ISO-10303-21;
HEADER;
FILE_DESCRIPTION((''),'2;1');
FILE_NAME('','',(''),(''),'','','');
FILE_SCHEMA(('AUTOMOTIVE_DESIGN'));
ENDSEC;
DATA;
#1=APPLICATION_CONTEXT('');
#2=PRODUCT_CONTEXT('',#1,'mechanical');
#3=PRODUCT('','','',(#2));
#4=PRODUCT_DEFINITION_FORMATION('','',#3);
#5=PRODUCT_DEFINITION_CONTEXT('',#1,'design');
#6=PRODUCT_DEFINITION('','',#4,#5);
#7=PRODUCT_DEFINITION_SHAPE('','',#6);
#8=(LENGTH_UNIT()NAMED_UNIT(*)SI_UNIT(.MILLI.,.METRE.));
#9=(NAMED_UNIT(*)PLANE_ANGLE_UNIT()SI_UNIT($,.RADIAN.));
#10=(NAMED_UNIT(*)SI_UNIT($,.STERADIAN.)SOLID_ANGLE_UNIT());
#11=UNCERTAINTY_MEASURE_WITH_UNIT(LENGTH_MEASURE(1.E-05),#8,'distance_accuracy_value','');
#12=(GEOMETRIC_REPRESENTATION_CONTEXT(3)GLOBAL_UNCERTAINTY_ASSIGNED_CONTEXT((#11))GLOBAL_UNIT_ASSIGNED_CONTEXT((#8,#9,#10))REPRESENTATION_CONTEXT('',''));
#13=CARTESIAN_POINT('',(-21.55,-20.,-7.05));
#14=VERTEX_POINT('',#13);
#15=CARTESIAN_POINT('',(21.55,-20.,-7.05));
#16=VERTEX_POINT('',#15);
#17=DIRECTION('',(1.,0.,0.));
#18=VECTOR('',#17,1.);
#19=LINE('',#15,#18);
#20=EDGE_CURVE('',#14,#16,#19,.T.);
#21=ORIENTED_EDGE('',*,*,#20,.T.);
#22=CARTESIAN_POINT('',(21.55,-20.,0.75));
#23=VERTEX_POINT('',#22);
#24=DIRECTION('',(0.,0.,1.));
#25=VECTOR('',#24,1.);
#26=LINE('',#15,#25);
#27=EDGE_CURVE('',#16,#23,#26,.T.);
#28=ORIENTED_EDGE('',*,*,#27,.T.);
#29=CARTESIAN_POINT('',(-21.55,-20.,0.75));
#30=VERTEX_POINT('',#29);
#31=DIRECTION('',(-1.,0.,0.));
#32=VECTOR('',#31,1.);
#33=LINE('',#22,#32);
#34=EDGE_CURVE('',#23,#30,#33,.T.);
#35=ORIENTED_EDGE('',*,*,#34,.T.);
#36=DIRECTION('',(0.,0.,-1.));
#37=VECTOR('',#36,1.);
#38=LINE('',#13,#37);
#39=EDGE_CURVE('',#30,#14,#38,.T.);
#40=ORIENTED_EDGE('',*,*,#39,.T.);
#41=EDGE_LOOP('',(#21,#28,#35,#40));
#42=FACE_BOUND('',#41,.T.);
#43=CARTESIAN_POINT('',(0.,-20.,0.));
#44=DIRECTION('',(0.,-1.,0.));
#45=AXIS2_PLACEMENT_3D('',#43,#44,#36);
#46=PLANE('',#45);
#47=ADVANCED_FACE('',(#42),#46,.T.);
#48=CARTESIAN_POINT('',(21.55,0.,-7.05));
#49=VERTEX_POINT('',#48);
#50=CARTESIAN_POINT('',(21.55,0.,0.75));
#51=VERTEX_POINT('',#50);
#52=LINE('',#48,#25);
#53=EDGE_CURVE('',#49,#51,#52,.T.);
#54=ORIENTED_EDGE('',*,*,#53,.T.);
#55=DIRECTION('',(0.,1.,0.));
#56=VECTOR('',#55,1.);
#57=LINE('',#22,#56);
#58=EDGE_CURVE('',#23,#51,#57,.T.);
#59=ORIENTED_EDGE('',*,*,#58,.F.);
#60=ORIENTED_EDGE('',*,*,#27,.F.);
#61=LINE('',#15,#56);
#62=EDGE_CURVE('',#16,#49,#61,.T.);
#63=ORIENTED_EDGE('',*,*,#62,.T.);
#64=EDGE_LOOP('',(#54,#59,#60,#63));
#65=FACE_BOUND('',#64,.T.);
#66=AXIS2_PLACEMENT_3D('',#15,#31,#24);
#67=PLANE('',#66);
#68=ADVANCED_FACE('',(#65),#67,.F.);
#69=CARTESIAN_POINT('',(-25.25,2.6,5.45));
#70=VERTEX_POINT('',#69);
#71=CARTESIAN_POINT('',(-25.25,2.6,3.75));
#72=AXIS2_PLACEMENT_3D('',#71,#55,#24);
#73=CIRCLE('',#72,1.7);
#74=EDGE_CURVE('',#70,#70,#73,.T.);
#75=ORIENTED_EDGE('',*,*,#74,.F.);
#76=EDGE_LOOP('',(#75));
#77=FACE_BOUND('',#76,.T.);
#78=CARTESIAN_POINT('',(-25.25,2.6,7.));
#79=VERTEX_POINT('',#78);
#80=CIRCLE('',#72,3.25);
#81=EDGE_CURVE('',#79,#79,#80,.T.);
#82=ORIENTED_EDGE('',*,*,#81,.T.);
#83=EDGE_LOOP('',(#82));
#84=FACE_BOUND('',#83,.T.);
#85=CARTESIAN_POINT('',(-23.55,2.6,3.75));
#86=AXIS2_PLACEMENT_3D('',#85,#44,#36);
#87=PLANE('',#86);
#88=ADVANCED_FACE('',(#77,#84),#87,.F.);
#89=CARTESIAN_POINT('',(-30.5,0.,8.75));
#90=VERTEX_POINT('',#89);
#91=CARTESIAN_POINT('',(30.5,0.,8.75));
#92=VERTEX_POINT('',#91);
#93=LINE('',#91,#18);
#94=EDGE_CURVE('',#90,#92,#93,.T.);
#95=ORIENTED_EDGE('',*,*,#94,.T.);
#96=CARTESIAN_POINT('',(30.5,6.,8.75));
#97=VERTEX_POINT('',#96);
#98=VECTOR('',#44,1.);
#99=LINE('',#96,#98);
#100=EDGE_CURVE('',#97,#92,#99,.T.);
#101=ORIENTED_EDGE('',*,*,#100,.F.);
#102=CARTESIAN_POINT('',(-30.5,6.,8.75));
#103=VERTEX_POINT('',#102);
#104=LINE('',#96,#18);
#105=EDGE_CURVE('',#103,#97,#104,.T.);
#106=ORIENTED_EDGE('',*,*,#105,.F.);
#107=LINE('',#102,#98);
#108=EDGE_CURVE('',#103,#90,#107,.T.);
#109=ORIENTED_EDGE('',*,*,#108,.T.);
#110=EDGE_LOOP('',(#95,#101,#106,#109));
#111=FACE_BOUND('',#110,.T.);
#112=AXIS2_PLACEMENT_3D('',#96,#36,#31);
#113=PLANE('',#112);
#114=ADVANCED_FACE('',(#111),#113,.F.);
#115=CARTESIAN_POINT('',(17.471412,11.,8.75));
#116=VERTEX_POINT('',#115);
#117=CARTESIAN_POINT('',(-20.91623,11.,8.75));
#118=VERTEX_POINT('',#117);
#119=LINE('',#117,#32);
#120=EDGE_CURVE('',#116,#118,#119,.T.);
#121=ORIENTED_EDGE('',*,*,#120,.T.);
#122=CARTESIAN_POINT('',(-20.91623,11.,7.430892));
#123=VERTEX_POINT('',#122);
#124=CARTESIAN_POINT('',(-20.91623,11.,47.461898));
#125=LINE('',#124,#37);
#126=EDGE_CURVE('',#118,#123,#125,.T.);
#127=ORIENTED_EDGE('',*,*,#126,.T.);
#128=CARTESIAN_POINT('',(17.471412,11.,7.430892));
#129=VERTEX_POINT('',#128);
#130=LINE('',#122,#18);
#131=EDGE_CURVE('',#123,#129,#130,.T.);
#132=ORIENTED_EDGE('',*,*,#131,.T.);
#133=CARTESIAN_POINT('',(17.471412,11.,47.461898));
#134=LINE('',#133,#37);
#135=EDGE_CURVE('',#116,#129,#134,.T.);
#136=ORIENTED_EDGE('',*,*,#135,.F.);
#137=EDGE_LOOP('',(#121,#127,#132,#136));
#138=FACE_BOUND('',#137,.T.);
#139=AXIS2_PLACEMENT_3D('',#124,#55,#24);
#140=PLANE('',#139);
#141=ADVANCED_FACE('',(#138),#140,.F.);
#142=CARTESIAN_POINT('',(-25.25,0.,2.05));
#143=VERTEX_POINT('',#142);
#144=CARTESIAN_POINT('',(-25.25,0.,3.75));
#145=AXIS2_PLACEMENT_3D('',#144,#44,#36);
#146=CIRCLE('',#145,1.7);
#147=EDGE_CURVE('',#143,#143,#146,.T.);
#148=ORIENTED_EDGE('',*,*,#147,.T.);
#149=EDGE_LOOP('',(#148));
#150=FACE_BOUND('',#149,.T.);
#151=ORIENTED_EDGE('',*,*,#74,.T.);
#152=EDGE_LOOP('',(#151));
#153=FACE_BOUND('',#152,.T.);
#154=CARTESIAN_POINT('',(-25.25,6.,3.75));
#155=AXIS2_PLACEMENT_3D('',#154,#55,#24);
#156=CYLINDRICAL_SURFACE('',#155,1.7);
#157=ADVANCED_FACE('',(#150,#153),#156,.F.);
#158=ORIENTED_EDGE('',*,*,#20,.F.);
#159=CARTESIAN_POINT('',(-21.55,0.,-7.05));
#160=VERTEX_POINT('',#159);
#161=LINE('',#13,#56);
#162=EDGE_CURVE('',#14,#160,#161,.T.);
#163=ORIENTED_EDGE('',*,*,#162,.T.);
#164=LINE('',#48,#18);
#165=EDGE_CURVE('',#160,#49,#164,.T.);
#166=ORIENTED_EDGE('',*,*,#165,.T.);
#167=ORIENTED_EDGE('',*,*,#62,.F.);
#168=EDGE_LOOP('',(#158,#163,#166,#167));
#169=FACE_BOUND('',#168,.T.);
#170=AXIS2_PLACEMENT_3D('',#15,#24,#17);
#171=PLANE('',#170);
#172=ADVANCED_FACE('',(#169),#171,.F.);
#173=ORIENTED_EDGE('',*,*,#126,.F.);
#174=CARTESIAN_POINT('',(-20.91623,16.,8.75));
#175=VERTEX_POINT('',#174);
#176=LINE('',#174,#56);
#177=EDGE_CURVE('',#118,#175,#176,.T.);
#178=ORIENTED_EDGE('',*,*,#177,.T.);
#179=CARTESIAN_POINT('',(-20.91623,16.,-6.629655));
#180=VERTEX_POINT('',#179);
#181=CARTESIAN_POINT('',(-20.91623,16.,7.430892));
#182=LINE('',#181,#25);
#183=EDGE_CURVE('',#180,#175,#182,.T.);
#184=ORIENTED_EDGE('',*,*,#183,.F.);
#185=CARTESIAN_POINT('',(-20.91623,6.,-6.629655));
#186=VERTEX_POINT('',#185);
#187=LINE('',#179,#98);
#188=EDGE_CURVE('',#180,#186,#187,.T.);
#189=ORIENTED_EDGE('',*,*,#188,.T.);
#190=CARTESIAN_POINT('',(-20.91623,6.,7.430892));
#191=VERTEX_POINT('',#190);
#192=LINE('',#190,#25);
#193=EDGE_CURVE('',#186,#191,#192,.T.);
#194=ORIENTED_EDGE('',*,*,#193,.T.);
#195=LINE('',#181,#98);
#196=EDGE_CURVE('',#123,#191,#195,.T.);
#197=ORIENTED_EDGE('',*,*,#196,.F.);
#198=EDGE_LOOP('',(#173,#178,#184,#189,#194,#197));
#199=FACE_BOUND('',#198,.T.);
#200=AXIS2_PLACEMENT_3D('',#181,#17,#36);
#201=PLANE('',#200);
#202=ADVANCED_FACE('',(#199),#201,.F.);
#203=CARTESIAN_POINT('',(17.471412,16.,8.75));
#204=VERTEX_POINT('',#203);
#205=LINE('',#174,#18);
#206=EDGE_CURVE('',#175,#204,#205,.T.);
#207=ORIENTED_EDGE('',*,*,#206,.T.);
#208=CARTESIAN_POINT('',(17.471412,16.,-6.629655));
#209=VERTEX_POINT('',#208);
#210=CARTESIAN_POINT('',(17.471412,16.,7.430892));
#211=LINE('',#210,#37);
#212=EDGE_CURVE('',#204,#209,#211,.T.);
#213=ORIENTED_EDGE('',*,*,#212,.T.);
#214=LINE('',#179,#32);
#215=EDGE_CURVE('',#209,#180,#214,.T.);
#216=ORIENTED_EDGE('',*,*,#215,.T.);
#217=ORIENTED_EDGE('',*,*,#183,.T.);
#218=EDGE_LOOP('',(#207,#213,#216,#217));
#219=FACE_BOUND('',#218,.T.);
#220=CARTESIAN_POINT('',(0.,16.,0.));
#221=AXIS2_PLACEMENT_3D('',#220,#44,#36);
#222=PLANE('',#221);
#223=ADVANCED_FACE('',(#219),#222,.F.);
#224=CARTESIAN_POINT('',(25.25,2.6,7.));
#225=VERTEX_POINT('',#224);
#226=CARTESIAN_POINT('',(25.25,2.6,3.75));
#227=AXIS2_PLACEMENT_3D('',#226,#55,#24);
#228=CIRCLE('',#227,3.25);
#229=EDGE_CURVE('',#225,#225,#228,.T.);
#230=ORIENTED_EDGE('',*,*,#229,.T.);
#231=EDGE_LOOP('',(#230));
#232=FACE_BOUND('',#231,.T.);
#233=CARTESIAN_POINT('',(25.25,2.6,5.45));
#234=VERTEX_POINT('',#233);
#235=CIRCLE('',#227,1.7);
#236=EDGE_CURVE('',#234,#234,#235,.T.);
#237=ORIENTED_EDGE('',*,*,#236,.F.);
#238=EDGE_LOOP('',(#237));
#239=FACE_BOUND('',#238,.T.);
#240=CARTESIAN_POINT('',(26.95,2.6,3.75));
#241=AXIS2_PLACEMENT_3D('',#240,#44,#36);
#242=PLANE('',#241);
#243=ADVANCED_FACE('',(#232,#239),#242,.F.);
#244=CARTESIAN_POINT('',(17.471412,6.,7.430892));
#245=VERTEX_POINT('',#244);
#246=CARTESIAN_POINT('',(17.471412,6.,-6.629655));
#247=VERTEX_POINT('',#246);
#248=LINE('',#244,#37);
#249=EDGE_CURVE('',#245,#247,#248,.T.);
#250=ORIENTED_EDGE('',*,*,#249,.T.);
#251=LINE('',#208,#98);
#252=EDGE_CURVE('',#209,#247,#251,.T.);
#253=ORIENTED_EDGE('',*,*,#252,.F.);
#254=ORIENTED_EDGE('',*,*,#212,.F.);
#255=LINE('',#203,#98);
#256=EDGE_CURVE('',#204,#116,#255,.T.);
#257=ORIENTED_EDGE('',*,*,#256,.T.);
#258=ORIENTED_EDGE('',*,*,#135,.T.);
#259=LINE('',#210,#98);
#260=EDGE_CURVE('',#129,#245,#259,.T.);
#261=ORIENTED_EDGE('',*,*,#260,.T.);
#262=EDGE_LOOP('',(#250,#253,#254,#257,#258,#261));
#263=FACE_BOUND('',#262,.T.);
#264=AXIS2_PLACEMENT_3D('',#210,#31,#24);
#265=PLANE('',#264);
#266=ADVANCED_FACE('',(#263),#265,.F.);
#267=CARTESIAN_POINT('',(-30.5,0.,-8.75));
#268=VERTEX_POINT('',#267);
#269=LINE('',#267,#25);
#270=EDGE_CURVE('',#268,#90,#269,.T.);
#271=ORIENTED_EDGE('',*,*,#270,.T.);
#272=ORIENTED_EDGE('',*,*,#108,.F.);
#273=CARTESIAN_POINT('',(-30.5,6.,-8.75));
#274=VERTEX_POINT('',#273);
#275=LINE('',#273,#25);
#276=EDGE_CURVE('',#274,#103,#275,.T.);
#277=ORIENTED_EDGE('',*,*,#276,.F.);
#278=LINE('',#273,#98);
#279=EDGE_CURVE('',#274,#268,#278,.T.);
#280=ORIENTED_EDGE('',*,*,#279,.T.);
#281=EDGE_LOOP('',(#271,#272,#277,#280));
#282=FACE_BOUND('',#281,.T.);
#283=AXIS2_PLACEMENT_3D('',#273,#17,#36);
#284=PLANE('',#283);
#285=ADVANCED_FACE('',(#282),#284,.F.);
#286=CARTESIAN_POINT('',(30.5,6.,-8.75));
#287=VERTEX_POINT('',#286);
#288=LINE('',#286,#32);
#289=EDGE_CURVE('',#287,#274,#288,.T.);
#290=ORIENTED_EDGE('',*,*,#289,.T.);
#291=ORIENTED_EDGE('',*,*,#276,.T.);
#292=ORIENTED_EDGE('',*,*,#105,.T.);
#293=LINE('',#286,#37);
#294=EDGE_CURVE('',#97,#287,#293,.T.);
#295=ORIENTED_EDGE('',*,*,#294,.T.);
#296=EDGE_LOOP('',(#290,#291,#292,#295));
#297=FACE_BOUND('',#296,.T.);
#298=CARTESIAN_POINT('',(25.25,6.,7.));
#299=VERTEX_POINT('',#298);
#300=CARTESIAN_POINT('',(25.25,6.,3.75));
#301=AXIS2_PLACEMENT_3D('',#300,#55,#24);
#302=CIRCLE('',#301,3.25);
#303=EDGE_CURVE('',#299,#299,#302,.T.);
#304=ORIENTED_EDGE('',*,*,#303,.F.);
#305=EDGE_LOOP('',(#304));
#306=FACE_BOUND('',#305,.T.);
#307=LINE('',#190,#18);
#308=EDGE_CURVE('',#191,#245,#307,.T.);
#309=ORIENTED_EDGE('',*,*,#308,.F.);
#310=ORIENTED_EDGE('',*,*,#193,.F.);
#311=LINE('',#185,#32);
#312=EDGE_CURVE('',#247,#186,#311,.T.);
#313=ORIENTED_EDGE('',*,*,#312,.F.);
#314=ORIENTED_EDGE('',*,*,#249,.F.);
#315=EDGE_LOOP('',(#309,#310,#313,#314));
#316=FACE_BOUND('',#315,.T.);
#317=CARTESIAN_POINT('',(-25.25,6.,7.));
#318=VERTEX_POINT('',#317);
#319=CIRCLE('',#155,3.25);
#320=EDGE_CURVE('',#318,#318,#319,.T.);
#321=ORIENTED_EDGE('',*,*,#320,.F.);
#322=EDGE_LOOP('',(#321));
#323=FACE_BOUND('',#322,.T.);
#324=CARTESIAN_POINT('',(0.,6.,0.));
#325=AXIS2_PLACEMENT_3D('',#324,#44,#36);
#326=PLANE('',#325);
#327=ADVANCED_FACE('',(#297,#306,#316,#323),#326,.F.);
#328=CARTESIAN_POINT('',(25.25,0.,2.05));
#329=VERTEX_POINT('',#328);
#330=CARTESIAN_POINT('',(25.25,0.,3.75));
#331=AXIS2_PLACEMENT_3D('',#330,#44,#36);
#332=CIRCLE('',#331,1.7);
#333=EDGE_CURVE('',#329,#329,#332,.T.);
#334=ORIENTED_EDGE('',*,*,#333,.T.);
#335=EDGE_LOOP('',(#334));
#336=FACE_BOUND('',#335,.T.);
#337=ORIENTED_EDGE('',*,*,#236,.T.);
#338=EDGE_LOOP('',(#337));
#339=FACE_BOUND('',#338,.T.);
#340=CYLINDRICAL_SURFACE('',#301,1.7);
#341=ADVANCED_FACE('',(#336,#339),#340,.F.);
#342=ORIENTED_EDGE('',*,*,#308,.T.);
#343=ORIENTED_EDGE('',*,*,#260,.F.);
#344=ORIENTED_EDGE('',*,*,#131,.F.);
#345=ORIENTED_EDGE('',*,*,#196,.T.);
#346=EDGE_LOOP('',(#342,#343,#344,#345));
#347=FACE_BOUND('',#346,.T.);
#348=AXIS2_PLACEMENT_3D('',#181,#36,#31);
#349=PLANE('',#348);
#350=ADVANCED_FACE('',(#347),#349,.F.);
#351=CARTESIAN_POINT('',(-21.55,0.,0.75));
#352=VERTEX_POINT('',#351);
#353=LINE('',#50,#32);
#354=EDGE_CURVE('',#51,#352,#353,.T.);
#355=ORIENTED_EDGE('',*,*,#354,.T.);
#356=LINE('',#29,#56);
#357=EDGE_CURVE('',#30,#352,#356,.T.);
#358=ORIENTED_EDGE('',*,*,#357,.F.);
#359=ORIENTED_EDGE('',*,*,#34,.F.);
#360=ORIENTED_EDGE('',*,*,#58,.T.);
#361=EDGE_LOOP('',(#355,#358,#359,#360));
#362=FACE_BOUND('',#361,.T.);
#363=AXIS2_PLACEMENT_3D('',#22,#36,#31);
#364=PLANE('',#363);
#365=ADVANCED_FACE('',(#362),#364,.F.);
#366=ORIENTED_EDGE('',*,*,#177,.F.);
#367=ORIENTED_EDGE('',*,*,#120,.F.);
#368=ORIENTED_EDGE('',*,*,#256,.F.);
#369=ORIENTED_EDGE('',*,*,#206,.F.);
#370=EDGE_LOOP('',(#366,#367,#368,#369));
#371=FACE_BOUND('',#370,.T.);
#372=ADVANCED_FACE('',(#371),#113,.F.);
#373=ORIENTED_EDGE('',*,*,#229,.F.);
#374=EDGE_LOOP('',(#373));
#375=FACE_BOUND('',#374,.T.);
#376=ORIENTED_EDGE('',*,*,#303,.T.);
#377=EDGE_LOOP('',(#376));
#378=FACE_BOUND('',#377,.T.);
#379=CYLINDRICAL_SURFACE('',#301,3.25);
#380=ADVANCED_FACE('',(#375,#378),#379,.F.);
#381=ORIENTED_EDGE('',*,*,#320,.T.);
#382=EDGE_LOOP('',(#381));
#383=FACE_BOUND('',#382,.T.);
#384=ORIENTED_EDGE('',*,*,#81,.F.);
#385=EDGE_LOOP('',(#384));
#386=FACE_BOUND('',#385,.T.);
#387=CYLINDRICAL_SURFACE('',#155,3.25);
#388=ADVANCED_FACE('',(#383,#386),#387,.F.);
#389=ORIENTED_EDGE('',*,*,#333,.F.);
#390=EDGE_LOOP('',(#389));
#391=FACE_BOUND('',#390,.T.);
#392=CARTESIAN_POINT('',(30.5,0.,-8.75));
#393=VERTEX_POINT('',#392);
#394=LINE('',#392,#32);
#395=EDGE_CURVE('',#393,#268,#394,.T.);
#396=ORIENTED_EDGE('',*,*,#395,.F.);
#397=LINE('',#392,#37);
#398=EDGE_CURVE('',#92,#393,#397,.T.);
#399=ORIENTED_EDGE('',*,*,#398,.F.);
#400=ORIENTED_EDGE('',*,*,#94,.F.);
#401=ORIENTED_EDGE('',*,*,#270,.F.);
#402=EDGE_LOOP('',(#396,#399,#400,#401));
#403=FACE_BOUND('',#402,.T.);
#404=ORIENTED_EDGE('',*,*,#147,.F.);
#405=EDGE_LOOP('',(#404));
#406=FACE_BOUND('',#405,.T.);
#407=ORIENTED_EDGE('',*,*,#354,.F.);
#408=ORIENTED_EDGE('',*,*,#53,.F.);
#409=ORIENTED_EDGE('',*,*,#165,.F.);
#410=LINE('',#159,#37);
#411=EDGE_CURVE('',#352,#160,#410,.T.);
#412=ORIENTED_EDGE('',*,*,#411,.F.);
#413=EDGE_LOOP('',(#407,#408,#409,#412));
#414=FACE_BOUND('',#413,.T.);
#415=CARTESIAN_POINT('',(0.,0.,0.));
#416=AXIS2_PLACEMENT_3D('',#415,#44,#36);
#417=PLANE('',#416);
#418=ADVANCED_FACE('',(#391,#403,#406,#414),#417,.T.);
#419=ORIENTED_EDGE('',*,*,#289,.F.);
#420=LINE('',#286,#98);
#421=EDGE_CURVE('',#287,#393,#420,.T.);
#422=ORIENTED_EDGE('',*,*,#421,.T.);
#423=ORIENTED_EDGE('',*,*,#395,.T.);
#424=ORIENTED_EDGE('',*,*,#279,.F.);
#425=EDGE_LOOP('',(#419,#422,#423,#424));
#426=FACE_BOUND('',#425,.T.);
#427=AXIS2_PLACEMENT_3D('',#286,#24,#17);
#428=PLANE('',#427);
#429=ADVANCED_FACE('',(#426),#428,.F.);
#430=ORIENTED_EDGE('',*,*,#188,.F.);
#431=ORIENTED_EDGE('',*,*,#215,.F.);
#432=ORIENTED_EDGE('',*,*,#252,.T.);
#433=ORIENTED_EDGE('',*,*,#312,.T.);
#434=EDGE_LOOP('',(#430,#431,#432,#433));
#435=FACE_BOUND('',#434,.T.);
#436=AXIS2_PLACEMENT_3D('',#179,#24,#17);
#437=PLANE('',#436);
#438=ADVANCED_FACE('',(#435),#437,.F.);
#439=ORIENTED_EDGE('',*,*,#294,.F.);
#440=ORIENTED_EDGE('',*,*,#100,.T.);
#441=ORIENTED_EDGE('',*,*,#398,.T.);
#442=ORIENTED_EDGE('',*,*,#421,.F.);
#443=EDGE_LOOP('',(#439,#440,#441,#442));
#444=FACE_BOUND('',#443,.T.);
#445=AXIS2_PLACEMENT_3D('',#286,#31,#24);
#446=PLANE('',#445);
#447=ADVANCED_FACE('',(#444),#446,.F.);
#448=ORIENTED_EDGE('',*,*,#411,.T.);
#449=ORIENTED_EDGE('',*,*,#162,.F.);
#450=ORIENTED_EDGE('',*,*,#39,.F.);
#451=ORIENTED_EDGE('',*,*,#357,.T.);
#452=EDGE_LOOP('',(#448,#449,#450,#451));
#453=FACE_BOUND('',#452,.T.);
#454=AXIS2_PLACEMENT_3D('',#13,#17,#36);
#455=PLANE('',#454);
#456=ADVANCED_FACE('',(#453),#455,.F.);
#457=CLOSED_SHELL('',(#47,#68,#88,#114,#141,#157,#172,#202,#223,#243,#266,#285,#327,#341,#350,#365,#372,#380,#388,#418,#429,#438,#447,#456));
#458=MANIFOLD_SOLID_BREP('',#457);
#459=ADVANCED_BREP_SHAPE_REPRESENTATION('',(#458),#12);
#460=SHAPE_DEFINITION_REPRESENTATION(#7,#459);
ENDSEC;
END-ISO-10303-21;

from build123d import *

# Parameters (mm, degrees)
SKICA1_W                                         = 61
SKICA1_H                                         = 17.5
P_IDAT_VYSUNUT_M1_DEPTH                          = 6
SKICA2_W                                         = 43.1
SKICA2_H                                         = 7.8
P_IDAT_VYSUNUT_M2_DEPTH                          = 20
V_LCOV_ZAHLOUBEN_PRO_M3_ROUBY_S_VNIT_D           = 3.4
V_LCOV_ZAHLOUBEN_PRO_M3_ROUBY_S_VNIT_DEPTH       = 10
V_LCOV_ZAHLOUBEN_PRO_M3_ROUBY_S_VNIT_CBORE_D     = 6.5
V_LCOV_ZAHLOUBEN_PRO_M3_ROUBY_S_VNIT_CBORE_DEPTH = 3.4
V_LCOV_ZAHLOUBEN_PRO_M3_ROUBY_S_VNIT_TIP         = 1.021463052
SKICA5_W                                         = 38.387641765
SKICA5_H                                         = 14.060547141
P_IDAT_VYSUNUT_M3_DEPTH                          = 10
SKICA6_W                                         = 38.387641765
SKICA6_H                                         = 5
P_IDAT_VYSUNUT_M4_DEPTH                          = 1.319108231


with BuildPart() as part:
    # Skica1 → Přidat vysunutím1 (new body)
    with BuildSketch(Plane(origin=(0, 0, 0), x_dir=(1, 0, 0), z_dir=(0, 1, 0))):
        Rectangle(SKICA1_W, SKICA1_H)
    extrude(amount=P_IDAT_VYSUNUT_M1_DEPTH)

    # Skica2 → Přidat vysunutím2 (add)
    with BuildSketch(Plane.XZ):
        with Locations((0, -3.15)):
            Rectangle(SKICA2_W, SKICA2_H)
    extrude(amount=P_IDAT_VYSUNUT_M2_DEPTH)

    # Válcové zahloubení pro M3 šrouby s vnitřním šestihranem1
    with Locations(Plane(origin=(0, 6, 0), x_dir=(1, 0, 0), z_dir=(0, 1, 0))):
        with Locations((-25.25, -3.75), (25.25, -3.75)):
            CounterBoreHole(V_LCOV_ZAHLOUBEN_PRO_M3_ROUBY_S_VNIT_D / 2, V_LCOV_ZAHLOUBEN_PRO_M3_ROUBY_S_VNIT_CBORE_D / 2, V_LCOV_ZAHLOUBEN_PRO_M3_ROUBY_S_VNIT_CBORE_DEPTH, depth=V_LCOV_ZAHLOUBEN_PRO_M3_ROUBY_S_VNIT_DEPTH)
            with Locations((0, 0, -(V_LCOV_ZAHLOUBEN_PRO_M3_ROUBY_S_VNIT_DEPTH + V_LCOV_ZAHLOUBEN_PRO_M3_ROUBY_S_VNIT_TIP / 2))):  # 118° drill point
                Cone(0, V_LCOV_ZAHLOUBEN_PRO_M3_ROUBY_S_VNIT_D / 2, V_LCOV_ZAHLOUBEN_PRO_M3_ROUBY_S_VNIT_TIP, mode=Mode.SUBTRACT)

    # Skica5 → Přidat vysunutím3 (add)
    with BuildSketch(Plane(origin=(0, 6, 0), x_dir=(1, 0, 0), z_dir=(0, 1, 0))):
        with Locations((-1.722409319, -0.400618199)):
            Rectangle(SKICA5_W, SKICA5_H)
    extrude(amount=P_IDAT_VYSUNUT_M3_DEPTH)

    # Skica6 → Přidat vysunutím4 (add)
    with BuildSketch(Plane.XY.offset(7.430891769)):
        with Locations((-1.722409319, 13.5)):
            Rectangle(SKICA6_W, SKICA6_H)
    extrude(amount=P_IDAT_VYSUNUT_M4_DEPTH)


solid = part.part
